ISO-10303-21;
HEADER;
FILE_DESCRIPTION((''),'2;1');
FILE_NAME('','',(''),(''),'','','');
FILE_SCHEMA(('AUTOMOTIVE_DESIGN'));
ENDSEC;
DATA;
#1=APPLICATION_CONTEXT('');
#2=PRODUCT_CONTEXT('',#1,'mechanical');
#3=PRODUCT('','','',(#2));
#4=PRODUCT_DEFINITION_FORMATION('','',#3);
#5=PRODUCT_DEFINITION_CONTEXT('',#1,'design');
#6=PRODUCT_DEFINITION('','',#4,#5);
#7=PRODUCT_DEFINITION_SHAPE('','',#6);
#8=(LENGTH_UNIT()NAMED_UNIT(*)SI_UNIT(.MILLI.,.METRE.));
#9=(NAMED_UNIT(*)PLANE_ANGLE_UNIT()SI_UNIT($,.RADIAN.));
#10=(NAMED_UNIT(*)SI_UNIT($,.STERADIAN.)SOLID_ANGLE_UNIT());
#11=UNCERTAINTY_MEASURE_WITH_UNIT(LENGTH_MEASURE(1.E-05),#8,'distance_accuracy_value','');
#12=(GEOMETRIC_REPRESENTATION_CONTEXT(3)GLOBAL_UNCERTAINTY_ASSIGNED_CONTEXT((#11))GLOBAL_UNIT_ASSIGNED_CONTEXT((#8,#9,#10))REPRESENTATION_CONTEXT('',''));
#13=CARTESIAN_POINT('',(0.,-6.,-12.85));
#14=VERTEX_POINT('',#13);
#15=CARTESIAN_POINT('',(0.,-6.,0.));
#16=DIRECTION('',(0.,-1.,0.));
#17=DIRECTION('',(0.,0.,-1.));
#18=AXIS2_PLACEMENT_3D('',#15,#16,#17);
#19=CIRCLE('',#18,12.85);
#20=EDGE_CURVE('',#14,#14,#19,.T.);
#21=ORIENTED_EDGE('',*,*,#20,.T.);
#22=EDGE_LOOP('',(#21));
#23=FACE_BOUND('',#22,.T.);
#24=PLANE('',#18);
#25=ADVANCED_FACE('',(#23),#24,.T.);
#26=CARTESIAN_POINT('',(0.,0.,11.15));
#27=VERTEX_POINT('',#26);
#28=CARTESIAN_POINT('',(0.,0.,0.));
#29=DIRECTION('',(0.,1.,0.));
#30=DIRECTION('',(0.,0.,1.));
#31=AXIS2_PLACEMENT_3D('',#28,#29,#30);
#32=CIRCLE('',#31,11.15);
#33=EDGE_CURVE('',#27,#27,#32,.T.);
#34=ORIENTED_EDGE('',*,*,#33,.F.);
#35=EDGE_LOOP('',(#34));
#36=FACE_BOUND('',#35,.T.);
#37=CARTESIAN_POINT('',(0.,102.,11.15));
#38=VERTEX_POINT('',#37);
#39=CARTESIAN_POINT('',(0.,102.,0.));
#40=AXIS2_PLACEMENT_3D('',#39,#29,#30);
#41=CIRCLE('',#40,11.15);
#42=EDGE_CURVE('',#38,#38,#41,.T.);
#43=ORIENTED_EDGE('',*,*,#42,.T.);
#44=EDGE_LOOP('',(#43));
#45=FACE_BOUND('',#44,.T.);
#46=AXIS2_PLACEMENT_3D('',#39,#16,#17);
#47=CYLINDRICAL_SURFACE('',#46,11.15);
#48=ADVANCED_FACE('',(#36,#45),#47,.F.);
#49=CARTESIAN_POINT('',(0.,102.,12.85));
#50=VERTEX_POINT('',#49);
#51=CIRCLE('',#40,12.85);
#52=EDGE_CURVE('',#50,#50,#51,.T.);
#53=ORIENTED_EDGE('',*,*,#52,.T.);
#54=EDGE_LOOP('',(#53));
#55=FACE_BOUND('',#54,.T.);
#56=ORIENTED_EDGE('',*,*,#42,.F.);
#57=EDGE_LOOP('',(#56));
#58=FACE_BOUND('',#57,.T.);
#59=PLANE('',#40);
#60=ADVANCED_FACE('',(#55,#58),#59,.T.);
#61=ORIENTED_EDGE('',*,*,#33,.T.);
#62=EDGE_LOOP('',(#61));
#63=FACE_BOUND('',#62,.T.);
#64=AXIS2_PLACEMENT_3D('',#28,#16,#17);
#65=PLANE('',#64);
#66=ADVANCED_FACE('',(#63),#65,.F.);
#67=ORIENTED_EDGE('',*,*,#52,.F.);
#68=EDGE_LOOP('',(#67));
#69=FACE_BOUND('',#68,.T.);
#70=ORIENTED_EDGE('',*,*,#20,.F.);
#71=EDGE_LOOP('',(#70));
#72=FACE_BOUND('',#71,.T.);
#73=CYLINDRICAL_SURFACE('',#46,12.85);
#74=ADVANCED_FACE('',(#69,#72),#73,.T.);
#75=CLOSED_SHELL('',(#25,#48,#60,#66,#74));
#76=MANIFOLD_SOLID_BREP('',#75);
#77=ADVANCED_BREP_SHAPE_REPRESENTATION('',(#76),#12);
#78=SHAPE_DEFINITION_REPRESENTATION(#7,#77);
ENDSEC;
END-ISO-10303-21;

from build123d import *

# Parameters (mm, degrees)
SKETCH1_R           = 12.85
SKETCH1_R_2         = 11.15
BOSS_EXTRUDE1_DEPTH = 102
SKETCH2_R           = 12.85
BOSS_EXTRUDE2_DEPTH = 6


with BuildPart() as part:
    # Sketch1 → Boss-Extrude1 (new body)
    with BuildSketch(Plane(origin=(0, 0, 0), x_dir=(1, 0, 0), z_dir=(0, 1, 0))):
        Circle(SKETCH1_R)
        Circle(SKETCH1_R_2, mode=Mode.SUBTRACT)
    extrude(amount=BOSS_EXTRUDE1_DEPTH)

    # Sketch2 → Boss-Extrude2 (add)
    with BuildSketch(Plane.XZ):
        Circle(SKETCH2_R)
    extrude(amount=BOSS_EXTRUDE2_DEPTH)


solid = part.part
